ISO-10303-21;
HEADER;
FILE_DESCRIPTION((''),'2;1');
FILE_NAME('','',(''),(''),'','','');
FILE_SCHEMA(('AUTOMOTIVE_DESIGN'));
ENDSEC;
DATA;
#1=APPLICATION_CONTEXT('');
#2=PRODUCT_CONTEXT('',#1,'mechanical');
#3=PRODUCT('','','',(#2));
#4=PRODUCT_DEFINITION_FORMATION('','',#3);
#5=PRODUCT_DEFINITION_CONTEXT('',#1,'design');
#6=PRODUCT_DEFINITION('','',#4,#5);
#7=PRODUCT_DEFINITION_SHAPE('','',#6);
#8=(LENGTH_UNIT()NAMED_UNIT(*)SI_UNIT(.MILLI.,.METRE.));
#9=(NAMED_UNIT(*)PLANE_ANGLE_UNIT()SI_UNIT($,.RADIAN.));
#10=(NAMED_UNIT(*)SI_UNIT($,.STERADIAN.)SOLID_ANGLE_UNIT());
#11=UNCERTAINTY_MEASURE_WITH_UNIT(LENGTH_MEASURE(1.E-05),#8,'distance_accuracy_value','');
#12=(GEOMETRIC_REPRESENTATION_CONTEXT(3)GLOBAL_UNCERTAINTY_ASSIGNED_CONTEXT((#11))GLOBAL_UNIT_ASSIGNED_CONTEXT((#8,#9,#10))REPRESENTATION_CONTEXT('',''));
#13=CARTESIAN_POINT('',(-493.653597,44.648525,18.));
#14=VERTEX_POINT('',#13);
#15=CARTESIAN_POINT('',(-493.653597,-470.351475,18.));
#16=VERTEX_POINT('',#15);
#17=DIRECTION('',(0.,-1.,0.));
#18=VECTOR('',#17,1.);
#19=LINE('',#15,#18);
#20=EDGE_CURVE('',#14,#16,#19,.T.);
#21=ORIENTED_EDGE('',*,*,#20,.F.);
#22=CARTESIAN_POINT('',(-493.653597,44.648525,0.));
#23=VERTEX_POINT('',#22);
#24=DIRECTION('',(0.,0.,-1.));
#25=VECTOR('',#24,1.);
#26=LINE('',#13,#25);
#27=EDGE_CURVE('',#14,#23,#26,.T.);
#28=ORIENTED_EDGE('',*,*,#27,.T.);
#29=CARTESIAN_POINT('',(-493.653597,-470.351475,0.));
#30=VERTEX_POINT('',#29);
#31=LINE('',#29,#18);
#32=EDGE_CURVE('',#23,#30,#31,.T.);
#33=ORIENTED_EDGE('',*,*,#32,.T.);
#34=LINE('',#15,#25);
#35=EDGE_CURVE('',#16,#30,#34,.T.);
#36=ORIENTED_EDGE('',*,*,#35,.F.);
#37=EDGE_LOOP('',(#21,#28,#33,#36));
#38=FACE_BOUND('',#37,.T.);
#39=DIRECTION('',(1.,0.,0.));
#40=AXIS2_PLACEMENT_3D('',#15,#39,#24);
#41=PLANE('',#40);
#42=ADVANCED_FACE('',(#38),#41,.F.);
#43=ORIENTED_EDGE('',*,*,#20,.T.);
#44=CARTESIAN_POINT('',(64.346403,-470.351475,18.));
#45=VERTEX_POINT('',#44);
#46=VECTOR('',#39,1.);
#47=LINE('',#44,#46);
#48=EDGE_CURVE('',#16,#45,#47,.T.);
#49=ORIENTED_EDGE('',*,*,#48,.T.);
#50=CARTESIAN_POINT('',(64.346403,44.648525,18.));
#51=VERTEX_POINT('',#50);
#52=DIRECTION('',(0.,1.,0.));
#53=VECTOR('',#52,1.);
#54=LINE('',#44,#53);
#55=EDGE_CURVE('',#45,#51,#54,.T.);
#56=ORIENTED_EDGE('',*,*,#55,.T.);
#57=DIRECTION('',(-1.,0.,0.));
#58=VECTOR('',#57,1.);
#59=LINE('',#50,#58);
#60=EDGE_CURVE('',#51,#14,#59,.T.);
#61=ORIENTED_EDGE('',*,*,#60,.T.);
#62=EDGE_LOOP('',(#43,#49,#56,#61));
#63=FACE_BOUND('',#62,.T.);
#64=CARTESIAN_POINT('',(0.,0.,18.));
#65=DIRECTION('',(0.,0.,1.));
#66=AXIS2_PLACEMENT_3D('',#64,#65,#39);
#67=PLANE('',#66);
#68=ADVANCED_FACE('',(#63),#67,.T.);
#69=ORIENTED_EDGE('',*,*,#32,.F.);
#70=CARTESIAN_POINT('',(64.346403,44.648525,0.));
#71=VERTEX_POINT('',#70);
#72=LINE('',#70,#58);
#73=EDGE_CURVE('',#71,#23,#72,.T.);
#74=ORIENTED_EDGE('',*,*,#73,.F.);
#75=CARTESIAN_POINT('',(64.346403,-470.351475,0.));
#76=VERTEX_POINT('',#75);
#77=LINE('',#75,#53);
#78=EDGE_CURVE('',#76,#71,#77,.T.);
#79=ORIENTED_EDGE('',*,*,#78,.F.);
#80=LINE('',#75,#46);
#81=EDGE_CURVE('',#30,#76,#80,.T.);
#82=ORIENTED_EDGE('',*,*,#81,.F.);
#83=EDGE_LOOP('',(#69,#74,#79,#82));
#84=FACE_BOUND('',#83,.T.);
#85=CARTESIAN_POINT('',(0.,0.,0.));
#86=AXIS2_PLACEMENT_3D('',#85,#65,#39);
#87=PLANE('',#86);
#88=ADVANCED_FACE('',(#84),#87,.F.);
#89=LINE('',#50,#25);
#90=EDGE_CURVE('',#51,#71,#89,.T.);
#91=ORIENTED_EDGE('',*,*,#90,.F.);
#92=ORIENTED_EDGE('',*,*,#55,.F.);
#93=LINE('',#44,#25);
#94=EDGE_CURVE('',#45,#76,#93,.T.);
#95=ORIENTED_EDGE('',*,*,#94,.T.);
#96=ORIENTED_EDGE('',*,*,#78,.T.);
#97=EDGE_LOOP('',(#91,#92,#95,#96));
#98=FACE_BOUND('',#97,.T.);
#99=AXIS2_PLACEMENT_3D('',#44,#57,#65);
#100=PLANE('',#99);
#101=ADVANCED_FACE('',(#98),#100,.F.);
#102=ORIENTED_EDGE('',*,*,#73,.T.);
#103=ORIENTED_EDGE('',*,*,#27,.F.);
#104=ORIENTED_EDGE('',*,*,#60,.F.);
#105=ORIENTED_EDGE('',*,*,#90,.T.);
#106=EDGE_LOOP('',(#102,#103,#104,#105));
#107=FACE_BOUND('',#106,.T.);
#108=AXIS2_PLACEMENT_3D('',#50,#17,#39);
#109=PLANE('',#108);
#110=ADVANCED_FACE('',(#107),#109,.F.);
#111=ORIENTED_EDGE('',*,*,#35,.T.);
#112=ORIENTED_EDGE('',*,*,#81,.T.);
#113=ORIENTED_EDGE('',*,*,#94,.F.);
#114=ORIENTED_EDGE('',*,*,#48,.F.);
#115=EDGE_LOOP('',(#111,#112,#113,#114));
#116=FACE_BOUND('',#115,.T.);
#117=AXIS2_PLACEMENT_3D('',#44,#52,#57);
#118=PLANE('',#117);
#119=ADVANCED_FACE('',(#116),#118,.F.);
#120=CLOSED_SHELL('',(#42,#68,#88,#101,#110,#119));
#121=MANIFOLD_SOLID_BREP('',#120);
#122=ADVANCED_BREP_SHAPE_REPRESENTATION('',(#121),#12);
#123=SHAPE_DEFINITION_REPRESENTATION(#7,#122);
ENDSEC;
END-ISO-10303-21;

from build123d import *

# Parameters (mm, degrees)
SKETCH1_W           = 558
SKETCH1_H           = 515
BOSS_EXTRUDE1_DEPTH = 18


with BuildPart() as part:
    # Sketch1 → Boss-Extrude1 (new body)
    with BuildSketch(Plane.XY):
        with Locations((-214.65359701, -212.851475477)):
            Rectangle(SKETCH1_W, SKETCH1_H)
    extrude(amount=BOSS_EXTRUDE1_DEPTH)


solid = part.part
